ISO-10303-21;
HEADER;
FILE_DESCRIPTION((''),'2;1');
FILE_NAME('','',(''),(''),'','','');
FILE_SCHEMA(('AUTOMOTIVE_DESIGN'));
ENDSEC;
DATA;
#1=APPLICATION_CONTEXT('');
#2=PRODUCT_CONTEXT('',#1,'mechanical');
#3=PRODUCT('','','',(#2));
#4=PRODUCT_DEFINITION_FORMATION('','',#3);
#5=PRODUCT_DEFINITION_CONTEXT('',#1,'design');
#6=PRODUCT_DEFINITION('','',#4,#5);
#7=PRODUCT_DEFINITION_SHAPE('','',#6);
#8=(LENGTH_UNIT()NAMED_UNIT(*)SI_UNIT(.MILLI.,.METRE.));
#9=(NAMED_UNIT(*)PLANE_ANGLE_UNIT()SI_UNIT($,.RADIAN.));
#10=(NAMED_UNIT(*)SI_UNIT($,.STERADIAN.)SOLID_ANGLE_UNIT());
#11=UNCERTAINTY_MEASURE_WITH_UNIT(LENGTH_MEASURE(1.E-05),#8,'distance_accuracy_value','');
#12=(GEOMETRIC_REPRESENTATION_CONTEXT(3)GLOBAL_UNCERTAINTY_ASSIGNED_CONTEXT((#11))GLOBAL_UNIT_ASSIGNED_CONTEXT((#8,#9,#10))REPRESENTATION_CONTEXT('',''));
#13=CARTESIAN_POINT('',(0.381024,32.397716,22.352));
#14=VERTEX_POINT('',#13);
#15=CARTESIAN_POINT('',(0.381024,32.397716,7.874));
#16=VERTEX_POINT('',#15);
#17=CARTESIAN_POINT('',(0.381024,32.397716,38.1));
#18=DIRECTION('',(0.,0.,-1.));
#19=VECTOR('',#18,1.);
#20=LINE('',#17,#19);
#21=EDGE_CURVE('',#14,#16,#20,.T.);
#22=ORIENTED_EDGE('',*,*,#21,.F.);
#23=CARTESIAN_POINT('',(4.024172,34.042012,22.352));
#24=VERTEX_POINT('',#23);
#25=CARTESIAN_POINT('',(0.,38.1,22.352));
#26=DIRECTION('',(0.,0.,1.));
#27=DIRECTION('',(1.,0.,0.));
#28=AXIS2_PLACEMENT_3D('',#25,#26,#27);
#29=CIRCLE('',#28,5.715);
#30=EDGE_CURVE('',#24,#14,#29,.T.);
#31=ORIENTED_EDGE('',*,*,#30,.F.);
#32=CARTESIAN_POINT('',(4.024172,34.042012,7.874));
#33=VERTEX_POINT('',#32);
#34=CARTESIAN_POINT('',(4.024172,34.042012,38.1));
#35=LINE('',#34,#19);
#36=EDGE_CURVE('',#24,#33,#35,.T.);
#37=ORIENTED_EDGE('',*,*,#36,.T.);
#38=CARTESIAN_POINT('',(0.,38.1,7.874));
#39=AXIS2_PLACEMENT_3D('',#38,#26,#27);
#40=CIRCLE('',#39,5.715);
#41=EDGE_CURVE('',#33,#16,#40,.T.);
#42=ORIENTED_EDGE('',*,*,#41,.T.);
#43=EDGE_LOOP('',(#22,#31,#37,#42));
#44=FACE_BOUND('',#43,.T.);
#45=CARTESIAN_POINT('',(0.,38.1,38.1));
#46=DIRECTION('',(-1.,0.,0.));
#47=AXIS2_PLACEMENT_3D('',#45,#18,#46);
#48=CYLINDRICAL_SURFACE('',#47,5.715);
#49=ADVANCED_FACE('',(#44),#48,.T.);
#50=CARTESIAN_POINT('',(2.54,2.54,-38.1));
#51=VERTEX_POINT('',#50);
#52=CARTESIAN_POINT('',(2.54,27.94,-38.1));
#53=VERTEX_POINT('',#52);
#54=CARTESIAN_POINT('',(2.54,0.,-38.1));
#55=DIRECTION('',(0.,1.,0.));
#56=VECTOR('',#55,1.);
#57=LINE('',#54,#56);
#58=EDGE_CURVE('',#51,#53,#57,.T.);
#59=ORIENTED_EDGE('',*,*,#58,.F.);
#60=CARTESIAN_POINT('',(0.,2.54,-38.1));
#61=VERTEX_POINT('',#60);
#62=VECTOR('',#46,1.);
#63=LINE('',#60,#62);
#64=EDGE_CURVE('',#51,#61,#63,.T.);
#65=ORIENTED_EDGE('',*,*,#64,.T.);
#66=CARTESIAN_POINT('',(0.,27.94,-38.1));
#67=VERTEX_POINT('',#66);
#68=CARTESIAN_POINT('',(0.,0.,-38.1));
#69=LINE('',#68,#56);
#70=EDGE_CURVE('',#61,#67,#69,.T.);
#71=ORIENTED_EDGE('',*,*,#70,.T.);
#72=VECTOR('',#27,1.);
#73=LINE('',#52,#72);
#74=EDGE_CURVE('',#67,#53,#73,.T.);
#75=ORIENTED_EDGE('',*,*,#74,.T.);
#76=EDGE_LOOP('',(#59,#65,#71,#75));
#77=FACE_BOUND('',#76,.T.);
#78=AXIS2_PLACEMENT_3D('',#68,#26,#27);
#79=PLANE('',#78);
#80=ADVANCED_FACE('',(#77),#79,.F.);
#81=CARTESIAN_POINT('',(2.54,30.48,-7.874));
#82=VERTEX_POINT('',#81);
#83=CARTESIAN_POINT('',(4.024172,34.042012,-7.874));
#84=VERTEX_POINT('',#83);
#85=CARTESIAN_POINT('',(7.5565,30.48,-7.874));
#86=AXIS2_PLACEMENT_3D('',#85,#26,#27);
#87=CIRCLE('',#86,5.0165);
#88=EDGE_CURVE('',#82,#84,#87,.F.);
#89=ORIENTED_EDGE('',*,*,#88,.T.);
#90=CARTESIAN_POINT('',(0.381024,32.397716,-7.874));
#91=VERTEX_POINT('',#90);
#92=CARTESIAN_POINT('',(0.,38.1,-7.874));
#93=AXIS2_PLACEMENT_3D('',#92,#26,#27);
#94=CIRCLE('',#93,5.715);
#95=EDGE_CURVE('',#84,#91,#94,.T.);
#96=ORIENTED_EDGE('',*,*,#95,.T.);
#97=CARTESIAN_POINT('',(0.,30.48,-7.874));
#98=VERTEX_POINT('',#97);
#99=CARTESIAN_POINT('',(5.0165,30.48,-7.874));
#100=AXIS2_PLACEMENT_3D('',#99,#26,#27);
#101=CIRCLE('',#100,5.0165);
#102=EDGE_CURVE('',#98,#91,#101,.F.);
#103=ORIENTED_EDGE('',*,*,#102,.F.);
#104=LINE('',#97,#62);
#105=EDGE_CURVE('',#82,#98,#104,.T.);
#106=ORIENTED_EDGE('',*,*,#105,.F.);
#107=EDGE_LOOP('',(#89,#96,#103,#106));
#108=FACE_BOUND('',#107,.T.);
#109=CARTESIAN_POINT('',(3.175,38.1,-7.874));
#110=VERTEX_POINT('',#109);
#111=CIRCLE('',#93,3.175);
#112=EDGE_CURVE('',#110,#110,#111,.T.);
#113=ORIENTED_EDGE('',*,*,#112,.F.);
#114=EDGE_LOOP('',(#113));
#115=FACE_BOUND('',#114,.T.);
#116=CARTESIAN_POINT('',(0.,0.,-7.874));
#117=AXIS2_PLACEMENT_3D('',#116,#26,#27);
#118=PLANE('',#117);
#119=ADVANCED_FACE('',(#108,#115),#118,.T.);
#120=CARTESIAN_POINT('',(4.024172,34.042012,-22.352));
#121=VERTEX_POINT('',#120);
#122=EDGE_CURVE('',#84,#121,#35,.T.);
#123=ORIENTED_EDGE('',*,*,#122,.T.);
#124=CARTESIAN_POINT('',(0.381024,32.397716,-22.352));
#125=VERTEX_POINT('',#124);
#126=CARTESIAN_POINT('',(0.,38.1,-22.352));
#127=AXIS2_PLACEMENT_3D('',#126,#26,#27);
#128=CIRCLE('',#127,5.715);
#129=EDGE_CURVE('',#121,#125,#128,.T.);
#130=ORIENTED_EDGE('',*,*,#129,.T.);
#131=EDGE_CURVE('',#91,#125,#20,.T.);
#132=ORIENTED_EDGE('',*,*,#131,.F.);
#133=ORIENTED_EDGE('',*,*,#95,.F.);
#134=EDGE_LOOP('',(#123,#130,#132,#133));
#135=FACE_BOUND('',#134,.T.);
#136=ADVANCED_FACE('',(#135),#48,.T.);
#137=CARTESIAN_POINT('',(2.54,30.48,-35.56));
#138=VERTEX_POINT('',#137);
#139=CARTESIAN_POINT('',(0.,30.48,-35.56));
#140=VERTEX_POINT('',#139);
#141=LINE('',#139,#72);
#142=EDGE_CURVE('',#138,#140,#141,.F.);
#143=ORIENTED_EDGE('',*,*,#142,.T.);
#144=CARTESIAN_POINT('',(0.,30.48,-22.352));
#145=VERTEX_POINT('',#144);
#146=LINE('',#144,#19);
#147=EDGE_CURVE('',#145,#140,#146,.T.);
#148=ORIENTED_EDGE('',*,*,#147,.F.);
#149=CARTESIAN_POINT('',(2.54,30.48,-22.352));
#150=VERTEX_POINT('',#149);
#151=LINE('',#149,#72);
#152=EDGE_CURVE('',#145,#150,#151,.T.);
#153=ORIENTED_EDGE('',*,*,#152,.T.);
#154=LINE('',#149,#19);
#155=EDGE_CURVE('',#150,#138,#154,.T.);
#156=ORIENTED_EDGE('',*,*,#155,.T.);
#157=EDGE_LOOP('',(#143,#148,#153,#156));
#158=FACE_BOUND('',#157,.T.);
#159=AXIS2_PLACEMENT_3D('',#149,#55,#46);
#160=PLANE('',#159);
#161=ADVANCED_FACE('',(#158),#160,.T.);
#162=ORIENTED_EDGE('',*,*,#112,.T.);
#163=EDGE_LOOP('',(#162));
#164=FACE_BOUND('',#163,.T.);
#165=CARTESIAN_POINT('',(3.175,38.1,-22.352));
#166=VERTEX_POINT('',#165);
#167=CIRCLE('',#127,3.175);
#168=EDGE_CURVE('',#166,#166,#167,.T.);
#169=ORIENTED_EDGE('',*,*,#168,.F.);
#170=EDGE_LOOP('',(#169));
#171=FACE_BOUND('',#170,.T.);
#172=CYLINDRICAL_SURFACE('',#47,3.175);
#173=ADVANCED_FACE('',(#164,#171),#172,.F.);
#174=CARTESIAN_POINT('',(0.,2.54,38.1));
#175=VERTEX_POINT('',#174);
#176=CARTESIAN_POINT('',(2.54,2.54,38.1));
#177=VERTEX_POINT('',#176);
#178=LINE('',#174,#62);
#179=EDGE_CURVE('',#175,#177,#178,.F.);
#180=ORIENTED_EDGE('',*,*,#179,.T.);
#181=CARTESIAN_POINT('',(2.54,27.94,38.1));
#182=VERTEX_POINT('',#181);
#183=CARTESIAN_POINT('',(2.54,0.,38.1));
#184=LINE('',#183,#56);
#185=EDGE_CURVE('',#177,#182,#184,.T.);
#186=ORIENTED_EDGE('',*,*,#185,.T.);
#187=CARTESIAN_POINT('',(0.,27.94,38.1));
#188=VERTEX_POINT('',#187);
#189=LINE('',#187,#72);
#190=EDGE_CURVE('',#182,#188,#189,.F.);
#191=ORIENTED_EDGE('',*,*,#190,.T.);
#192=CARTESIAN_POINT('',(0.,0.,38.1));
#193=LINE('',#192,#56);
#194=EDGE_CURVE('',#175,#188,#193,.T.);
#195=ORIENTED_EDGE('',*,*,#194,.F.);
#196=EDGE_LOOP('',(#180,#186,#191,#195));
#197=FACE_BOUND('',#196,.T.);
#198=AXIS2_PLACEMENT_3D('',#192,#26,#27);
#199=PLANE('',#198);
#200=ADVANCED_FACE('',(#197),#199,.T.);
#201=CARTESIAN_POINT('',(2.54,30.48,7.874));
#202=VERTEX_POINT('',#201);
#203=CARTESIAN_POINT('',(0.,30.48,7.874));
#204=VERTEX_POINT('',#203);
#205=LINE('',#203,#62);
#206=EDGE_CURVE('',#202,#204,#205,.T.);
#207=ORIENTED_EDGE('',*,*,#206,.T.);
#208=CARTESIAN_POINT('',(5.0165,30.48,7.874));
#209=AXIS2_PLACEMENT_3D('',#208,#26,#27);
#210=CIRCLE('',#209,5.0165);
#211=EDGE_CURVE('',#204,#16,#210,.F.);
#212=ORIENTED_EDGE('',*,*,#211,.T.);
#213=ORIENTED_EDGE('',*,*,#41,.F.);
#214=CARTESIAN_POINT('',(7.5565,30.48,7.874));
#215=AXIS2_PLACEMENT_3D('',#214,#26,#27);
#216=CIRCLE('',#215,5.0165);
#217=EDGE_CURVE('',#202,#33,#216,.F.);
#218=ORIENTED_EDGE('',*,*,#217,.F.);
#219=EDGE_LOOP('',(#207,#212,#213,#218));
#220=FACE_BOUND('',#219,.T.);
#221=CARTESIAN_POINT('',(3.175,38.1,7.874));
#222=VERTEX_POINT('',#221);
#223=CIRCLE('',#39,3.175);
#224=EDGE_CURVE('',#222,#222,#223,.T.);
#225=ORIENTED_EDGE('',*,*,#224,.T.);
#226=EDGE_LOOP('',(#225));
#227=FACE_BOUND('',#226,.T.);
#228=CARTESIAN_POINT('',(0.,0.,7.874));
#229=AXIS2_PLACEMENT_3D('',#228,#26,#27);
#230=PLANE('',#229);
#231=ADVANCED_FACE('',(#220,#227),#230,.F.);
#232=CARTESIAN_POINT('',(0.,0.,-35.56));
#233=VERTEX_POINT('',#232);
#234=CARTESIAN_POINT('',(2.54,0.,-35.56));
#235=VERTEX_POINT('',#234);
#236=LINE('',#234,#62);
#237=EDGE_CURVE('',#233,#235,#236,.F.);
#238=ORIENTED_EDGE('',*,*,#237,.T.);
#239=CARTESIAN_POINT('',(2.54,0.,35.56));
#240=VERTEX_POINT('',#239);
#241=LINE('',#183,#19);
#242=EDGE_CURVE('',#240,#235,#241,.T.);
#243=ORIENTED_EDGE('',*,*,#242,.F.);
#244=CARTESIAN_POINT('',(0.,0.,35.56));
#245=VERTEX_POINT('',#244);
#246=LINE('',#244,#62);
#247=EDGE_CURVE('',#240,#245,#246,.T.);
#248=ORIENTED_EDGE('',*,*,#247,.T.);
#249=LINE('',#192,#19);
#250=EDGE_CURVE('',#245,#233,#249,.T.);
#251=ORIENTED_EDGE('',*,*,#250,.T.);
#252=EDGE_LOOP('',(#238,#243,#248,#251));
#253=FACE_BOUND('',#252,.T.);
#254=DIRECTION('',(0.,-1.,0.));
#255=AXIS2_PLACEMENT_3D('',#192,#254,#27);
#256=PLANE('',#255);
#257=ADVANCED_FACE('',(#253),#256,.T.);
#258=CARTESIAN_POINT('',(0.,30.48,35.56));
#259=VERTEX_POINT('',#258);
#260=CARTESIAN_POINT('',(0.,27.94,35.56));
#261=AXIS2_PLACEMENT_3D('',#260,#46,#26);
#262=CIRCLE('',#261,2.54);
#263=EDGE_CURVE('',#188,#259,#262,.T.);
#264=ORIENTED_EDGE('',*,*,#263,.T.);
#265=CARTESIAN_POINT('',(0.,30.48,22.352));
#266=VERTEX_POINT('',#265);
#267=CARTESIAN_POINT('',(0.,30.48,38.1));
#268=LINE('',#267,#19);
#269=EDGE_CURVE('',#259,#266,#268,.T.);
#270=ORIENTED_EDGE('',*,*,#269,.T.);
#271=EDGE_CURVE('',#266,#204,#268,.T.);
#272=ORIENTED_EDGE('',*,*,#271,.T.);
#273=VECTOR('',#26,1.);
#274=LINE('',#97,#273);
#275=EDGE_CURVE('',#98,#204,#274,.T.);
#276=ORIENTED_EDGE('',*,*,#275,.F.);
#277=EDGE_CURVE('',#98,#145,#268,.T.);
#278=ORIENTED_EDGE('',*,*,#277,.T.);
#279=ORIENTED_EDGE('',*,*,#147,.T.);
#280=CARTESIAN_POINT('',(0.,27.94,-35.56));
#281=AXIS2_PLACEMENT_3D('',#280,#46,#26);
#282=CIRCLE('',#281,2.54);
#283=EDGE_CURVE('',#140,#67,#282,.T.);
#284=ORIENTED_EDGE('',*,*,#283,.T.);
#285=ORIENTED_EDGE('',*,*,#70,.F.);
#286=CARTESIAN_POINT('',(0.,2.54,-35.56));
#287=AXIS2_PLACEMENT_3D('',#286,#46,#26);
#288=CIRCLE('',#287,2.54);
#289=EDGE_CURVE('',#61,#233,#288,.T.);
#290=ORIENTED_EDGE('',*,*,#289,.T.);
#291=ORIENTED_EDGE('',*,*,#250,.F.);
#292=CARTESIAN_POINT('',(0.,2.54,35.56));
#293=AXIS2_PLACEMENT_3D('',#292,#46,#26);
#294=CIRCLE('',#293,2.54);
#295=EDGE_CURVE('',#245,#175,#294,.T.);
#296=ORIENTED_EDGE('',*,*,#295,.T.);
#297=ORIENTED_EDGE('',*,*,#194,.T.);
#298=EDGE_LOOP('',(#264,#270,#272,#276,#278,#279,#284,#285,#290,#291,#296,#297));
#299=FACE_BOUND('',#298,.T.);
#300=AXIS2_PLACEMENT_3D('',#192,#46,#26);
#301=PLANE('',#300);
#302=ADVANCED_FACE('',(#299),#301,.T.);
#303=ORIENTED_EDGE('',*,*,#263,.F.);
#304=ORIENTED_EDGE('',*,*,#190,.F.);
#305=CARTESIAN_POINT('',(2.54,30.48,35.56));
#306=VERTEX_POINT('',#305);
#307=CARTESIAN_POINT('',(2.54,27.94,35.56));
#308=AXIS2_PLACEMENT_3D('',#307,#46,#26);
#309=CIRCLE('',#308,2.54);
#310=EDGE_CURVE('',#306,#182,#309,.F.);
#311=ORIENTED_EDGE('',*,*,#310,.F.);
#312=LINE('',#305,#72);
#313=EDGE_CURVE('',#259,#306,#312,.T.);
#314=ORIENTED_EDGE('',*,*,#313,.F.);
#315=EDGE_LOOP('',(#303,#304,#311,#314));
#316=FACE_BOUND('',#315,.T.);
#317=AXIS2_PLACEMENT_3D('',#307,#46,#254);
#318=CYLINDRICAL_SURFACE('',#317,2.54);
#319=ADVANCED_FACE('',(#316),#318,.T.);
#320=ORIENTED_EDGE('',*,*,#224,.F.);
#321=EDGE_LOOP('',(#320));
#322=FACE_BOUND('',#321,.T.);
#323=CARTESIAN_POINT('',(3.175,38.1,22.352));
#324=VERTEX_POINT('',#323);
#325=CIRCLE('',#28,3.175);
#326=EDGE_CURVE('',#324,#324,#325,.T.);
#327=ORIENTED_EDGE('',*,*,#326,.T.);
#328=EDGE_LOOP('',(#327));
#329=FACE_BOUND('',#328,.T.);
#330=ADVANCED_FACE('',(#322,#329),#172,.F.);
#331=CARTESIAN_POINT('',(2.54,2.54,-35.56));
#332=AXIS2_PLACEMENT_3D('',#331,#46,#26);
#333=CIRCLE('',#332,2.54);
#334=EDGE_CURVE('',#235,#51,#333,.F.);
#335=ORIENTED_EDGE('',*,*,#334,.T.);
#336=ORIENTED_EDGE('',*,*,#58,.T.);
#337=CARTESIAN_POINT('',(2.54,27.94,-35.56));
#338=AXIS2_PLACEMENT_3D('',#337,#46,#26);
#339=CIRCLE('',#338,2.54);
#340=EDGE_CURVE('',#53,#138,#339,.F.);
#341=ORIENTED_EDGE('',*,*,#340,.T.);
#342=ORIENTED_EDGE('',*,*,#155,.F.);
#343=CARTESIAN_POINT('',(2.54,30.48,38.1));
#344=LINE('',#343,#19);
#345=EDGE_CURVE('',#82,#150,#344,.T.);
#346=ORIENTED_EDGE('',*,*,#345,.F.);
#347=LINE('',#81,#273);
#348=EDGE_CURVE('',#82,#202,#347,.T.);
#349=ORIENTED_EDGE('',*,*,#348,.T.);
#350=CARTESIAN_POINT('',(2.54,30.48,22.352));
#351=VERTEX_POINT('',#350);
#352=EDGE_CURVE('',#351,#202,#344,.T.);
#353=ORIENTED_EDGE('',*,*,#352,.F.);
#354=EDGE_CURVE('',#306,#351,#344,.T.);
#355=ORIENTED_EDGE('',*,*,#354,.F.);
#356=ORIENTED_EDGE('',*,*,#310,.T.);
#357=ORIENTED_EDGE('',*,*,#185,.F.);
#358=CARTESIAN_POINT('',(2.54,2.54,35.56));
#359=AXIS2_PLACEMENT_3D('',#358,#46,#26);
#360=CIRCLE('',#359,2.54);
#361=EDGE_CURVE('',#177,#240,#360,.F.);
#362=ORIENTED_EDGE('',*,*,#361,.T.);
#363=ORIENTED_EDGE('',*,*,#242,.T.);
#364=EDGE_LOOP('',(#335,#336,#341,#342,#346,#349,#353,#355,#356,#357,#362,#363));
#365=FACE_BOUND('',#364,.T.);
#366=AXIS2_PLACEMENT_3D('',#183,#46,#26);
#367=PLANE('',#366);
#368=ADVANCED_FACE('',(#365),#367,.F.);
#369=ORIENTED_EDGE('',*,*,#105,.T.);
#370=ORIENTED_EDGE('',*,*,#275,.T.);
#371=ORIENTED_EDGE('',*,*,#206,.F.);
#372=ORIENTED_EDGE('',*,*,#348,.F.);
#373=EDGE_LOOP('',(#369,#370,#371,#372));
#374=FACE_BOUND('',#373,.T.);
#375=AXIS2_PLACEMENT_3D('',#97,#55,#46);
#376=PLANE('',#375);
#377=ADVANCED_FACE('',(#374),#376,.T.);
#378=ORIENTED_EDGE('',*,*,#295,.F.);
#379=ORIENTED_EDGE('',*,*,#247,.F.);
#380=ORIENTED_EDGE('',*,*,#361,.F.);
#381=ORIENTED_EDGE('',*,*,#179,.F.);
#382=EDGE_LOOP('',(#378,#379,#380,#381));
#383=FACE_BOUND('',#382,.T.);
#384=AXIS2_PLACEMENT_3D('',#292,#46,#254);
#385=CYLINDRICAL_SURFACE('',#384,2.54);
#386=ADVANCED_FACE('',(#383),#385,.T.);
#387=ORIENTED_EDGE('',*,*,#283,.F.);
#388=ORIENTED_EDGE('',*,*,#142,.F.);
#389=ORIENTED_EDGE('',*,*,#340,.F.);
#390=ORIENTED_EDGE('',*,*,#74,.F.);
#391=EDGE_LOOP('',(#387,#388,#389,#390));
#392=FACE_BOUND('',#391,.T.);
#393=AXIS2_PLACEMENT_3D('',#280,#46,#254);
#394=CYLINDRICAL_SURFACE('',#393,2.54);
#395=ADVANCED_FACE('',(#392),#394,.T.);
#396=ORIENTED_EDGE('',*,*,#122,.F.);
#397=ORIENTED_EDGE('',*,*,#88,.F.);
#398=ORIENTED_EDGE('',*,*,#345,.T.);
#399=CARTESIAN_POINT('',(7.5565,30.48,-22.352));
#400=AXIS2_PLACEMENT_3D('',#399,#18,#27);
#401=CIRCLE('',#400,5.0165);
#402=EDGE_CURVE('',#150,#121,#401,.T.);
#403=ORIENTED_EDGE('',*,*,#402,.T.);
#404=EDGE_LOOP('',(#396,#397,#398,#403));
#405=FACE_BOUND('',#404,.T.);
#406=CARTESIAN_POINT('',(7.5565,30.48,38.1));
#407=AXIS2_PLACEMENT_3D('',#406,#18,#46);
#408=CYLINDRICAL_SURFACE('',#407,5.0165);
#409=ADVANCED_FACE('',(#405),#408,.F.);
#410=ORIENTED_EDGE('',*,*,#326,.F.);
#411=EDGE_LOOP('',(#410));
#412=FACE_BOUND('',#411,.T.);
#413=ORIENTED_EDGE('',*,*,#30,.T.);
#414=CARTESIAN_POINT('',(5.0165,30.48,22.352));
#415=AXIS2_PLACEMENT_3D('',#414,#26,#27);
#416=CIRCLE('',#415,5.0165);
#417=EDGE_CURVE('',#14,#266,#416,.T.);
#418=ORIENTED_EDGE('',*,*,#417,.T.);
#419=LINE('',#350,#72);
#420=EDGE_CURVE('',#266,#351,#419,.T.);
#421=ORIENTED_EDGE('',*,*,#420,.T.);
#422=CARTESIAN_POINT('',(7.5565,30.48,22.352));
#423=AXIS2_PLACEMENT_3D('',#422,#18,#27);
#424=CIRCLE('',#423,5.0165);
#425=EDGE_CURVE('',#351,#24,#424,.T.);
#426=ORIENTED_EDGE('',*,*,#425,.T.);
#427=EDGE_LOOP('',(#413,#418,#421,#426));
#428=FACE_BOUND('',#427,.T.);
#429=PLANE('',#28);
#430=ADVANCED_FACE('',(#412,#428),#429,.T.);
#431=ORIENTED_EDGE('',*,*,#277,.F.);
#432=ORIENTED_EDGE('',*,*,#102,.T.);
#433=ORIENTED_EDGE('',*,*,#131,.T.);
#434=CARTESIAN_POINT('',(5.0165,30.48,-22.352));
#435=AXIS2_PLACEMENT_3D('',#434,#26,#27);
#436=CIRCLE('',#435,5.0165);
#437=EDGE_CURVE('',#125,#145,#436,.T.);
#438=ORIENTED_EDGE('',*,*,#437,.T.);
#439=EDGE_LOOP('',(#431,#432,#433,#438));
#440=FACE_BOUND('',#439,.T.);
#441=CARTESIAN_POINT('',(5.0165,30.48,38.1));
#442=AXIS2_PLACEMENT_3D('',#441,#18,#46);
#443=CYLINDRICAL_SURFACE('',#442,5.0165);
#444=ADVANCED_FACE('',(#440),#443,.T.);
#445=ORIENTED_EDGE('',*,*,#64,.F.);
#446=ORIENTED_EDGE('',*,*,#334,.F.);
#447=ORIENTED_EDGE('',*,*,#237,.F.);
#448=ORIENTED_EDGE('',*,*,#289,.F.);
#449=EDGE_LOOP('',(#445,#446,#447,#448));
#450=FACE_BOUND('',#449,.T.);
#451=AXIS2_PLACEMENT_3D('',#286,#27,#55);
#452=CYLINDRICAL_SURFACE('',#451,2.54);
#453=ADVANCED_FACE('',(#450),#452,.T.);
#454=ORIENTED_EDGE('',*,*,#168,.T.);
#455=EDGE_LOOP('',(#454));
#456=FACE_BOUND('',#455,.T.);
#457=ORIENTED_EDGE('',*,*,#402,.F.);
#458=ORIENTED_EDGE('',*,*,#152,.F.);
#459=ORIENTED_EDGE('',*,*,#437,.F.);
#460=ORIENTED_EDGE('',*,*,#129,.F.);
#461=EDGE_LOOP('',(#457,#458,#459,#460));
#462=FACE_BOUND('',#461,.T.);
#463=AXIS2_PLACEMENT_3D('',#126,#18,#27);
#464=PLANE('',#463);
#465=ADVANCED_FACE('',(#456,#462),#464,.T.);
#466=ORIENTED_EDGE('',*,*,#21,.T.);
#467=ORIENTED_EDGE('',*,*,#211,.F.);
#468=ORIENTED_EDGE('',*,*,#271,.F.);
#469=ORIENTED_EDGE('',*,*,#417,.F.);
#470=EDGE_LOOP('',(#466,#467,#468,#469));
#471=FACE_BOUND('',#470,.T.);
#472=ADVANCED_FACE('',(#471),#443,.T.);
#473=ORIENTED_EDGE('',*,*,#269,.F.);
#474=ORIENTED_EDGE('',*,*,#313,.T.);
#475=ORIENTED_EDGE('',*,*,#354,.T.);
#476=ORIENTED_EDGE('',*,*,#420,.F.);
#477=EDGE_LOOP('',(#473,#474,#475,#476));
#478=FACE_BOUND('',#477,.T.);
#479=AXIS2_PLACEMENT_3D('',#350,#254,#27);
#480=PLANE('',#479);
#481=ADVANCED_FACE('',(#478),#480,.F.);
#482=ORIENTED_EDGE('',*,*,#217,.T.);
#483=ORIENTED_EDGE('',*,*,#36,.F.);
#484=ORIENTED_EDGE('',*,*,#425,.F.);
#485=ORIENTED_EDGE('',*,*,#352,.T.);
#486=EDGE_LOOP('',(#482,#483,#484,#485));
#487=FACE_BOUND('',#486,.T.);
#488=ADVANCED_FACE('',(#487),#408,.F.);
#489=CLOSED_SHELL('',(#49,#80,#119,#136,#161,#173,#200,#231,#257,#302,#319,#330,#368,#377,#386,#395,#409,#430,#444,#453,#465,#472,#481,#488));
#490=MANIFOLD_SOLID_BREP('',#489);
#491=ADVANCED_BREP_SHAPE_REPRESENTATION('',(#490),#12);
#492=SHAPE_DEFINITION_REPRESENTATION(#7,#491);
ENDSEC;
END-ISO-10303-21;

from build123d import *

# Parameters (mm, degrees)
SKETCH1_R           = 3.175
BOSS_EXTRUDE1_DEPTH = 38.1
SKETCH1_3_R         = 3.175
CUT_EXTRUDE1_DEPTH  = 7.874
SKETCH2_R           = 3.175
CUT_EXTRUDE2_DEPTH  = 15.748
FILLET1_R           = 2.54


with BuildPart() as part:
    # Sketch1 → Boss-Extrude1 (new, symmetric)
    with BuildSketch(Plane.XY):
        with BuildLine():
            Line((0, 0), (2.54, 0))
            Line((2.54, 0), (2.54, 30.48))
            ThreePointArc((2.54, 30.48), (2.925884615, 32.409423077), (4.024171598, 34.042011834))
            ThreePointArc((4.024171598, 34.042011834), (-2.351034724, 43.309017251), (0.381023909, 32.39771574))
            ThreePointArc((0.381023909, 32.39771574), (0.096177955, 31.457600747), (0, 30.48))
            Line((0, 30.48), (0, 0))
        make_face()
        with Locations((0, 38.1)):
            Circle(SKETCH1_R, mode=Mode.SUBTRACT)
    extrude(amount=BOSS_EXTRUDE1_DEPTH, both=True)

    # Sketch1<3> → Cut-Extrude1 (cut, symmetric)
    with BuildSketch(Plane.XY):
        with BuildLine():
            Line((0, 30.48), (2.54, 30.48))
            ThreePointArc((2.54, 30.48), (2.925884615, 32.409423077), (4.024171598, 34.042011834))
            ThreePointArc((4.024171598, 34.042011834), (-2.351034724, 43.309017251), (0.381023909, 32.39771574))
            ThreePointArc((0.381023909, 32.39771574), (0.096177955, 31.457600747), (0, 30.48))
        make_face()
        with Locations((0, 38.1)):
            Circle(SKETCH1_3_R, mode=Mode.SUBTRACT)
    extrude(amount=CUT_EXTRUDE1_DEPTH, both=True, mode=Mode.SUBTRACT)

    # Sketch2 → Cut-Extrude2 (cut)
    with BuildSketch(Plane.XY.offset(38.1)):
        with BuildLine():
            Line((2.54, 30.48), (0, 30.48))
            ThreePointArc((0, 30.48), (0.096177955, 31.457600747), (0.381023909, 32.39771574))
            ThreePointArc((0.381023909, 32.39771574), (-2.351034724, 43.309017251), (4.024171598, 34.042011834))
            ThreePointArc((4.024171598, 34.042011834), (2.925884615, 32.409423077), (2.54, 30.48))
        make_face()
        with Locations((0, 38.1)):
            Circle(SKETCH2_R, mode=Mode.SUBTRACT)
    cut_extrude2 = extrude(amount=-CUT_EXTRUDE2_DEPTH, mode=Mode.SUBTRACT)

    # Mirror1: Cut-Extrude2 across plane
    add(cut_extrude2.mirror(Plane.XY), mode=Mode.SUBTRACT)

    # Fillet1
    fillet1_edges = [part.edges().sort_by_distance(p)[0] for p in [
        (1.27, 0, 38.1),
        (1.27, 30.48, 38.1),
        (1.27, 0, -38.1),
        (1.27, 30.48, -38.1),
    ]]
    fillet(fillet1_edges, radius=FILLET1_R)


solid = part.part
